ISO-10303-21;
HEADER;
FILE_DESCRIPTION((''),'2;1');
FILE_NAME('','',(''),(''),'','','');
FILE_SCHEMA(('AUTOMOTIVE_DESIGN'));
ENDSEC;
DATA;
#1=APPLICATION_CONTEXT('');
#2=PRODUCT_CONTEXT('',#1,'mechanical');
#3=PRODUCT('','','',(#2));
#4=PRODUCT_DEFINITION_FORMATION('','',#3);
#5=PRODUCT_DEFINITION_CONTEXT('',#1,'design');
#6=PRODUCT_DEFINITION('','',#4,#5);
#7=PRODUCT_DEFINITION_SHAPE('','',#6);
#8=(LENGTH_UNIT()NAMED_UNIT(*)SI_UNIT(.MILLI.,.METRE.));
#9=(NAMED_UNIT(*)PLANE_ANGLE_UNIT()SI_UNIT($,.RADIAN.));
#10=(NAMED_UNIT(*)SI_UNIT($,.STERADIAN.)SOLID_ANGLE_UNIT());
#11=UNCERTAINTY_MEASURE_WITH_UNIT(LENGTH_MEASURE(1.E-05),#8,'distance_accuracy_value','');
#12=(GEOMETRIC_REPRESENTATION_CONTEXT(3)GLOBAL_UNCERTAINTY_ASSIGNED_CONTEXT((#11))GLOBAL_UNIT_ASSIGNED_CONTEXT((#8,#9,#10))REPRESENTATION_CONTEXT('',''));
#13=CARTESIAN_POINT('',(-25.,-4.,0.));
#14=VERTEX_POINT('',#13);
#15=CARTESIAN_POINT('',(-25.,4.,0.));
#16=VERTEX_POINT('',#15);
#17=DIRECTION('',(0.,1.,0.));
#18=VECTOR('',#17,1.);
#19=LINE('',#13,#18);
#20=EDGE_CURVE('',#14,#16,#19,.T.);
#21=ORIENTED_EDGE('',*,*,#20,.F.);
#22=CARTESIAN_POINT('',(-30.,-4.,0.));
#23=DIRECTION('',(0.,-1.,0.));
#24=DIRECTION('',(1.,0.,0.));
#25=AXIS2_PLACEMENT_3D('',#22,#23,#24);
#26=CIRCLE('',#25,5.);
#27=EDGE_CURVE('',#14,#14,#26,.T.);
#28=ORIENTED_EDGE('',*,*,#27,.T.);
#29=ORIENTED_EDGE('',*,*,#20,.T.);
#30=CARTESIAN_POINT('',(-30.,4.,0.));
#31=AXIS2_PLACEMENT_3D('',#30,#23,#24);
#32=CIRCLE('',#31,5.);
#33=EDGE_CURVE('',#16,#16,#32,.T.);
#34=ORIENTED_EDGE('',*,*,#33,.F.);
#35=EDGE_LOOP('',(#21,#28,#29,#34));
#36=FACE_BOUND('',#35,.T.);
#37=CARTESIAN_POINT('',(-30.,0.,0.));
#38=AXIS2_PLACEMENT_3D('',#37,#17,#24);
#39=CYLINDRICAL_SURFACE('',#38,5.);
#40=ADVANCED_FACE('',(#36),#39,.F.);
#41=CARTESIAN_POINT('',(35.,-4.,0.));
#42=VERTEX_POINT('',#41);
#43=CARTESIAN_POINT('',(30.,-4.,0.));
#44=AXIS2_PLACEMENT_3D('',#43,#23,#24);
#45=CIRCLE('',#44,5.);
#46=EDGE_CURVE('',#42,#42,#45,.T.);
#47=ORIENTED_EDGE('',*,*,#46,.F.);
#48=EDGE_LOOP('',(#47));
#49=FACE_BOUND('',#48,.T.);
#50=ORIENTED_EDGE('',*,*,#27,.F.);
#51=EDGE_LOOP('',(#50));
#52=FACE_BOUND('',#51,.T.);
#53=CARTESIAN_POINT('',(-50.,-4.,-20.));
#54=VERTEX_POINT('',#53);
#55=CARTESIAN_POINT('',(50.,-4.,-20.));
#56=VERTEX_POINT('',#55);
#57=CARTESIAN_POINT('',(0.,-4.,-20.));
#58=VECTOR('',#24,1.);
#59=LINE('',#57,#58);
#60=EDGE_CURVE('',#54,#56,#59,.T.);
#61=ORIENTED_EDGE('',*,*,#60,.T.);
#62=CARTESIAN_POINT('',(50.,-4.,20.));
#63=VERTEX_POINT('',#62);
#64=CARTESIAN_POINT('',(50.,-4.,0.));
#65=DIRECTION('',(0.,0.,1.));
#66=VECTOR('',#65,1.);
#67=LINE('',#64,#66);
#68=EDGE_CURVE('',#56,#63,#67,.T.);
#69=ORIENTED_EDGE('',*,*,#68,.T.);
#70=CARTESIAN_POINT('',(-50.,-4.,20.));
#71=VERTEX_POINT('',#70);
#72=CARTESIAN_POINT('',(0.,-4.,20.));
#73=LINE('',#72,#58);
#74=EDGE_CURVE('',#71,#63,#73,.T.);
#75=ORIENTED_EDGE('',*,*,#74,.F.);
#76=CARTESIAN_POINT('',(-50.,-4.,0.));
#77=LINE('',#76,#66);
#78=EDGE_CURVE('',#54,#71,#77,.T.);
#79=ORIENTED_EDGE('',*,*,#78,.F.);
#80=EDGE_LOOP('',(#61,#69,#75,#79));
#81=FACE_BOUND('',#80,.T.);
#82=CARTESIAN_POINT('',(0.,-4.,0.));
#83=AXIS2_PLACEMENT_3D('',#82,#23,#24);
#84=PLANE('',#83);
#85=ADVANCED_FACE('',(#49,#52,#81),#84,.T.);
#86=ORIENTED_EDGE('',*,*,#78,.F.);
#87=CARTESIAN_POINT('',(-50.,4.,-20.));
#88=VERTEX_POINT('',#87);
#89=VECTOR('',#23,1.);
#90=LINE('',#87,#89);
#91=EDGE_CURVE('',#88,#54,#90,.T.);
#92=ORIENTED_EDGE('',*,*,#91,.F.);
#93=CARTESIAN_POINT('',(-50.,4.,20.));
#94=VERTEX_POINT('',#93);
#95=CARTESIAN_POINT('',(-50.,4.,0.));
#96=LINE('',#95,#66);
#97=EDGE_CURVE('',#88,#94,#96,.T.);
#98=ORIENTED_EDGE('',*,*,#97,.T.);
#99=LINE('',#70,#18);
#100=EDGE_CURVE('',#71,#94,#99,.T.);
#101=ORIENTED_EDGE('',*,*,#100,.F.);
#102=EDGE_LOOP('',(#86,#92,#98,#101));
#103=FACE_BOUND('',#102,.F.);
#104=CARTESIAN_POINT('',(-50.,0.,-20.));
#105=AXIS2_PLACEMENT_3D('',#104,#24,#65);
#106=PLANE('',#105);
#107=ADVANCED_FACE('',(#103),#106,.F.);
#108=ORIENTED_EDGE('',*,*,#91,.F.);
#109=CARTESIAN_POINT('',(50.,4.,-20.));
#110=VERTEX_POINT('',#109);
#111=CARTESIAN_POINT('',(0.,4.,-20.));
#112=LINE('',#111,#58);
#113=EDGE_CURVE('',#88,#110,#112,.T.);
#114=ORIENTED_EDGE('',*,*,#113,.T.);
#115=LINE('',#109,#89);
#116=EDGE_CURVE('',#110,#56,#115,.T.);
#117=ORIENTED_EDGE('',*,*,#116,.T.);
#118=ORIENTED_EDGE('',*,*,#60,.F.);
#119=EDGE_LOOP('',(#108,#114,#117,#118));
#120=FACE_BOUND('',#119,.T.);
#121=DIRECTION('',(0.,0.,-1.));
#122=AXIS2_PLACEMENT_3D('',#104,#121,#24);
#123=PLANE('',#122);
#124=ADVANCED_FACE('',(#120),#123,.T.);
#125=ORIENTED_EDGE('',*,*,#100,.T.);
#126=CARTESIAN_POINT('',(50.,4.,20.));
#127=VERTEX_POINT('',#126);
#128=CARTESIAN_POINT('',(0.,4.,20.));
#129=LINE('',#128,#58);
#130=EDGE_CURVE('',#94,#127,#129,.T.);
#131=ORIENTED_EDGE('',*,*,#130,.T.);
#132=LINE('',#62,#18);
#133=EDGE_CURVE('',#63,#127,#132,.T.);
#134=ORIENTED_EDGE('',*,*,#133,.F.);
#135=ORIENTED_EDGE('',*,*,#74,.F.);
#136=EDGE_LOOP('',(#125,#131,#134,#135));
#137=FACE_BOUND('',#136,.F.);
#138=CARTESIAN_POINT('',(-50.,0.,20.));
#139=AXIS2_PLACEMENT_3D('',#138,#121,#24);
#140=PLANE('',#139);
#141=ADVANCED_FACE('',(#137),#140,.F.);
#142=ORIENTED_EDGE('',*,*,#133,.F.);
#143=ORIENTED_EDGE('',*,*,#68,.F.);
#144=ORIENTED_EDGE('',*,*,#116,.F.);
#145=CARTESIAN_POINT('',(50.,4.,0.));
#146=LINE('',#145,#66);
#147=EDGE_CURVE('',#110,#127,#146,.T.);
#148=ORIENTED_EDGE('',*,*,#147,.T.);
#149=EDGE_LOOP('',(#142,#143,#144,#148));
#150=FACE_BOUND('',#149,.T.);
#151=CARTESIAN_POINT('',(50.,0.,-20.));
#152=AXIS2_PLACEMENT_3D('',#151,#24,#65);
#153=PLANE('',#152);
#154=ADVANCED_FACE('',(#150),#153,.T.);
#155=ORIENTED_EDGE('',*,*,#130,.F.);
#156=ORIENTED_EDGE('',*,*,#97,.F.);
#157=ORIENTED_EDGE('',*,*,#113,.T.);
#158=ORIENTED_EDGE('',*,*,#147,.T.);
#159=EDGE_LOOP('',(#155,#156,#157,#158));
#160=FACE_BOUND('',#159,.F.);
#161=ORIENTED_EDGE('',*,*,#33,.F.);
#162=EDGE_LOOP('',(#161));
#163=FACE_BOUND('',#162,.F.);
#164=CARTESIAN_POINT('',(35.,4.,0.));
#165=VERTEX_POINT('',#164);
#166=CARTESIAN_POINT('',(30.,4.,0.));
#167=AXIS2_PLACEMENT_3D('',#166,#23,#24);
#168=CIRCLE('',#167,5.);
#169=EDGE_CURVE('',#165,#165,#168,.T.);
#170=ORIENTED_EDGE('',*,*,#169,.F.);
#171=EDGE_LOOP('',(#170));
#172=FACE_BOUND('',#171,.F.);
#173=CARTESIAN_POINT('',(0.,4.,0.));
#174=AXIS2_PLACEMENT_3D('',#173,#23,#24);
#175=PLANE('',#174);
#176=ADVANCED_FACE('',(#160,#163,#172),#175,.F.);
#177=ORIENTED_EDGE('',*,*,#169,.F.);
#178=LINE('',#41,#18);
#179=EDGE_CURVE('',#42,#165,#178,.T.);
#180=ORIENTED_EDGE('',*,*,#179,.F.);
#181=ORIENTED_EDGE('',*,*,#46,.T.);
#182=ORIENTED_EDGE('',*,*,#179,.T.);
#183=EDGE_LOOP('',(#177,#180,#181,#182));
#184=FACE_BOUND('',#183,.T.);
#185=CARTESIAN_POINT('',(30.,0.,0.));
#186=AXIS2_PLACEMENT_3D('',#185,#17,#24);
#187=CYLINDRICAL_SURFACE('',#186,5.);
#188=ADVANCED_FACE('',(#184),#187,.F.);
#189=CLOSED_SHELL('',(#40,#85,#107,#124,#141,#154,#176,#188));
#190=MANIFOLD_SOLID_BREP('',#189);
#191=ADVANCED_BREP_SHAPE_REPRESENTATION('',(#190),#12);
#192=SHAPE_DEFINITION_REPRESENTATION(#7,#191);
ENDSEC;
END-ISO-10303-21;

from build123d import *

# Parameters (mm, degrees)
F0_W     = 100
F0_H     = 40
F0_R     = 5
F1_DEPTH = 4


with BuildPart() as f1:
    # F0 (on Front) → F1 (new body, symmetric)
    with BuildSketch(Plane.XZ):
        Rectangle(F0_W, F0_H)
        with Locations((-30, 0)):
            Circle(F0_R, mode=Mode.SUBTRACT)
        with Locations((30, 0)):
            Circle(F0_R, mode=Mode.SUBTRACT)
    extrude(amount=F1_DEPTH, both=True)


solid = f1.part
